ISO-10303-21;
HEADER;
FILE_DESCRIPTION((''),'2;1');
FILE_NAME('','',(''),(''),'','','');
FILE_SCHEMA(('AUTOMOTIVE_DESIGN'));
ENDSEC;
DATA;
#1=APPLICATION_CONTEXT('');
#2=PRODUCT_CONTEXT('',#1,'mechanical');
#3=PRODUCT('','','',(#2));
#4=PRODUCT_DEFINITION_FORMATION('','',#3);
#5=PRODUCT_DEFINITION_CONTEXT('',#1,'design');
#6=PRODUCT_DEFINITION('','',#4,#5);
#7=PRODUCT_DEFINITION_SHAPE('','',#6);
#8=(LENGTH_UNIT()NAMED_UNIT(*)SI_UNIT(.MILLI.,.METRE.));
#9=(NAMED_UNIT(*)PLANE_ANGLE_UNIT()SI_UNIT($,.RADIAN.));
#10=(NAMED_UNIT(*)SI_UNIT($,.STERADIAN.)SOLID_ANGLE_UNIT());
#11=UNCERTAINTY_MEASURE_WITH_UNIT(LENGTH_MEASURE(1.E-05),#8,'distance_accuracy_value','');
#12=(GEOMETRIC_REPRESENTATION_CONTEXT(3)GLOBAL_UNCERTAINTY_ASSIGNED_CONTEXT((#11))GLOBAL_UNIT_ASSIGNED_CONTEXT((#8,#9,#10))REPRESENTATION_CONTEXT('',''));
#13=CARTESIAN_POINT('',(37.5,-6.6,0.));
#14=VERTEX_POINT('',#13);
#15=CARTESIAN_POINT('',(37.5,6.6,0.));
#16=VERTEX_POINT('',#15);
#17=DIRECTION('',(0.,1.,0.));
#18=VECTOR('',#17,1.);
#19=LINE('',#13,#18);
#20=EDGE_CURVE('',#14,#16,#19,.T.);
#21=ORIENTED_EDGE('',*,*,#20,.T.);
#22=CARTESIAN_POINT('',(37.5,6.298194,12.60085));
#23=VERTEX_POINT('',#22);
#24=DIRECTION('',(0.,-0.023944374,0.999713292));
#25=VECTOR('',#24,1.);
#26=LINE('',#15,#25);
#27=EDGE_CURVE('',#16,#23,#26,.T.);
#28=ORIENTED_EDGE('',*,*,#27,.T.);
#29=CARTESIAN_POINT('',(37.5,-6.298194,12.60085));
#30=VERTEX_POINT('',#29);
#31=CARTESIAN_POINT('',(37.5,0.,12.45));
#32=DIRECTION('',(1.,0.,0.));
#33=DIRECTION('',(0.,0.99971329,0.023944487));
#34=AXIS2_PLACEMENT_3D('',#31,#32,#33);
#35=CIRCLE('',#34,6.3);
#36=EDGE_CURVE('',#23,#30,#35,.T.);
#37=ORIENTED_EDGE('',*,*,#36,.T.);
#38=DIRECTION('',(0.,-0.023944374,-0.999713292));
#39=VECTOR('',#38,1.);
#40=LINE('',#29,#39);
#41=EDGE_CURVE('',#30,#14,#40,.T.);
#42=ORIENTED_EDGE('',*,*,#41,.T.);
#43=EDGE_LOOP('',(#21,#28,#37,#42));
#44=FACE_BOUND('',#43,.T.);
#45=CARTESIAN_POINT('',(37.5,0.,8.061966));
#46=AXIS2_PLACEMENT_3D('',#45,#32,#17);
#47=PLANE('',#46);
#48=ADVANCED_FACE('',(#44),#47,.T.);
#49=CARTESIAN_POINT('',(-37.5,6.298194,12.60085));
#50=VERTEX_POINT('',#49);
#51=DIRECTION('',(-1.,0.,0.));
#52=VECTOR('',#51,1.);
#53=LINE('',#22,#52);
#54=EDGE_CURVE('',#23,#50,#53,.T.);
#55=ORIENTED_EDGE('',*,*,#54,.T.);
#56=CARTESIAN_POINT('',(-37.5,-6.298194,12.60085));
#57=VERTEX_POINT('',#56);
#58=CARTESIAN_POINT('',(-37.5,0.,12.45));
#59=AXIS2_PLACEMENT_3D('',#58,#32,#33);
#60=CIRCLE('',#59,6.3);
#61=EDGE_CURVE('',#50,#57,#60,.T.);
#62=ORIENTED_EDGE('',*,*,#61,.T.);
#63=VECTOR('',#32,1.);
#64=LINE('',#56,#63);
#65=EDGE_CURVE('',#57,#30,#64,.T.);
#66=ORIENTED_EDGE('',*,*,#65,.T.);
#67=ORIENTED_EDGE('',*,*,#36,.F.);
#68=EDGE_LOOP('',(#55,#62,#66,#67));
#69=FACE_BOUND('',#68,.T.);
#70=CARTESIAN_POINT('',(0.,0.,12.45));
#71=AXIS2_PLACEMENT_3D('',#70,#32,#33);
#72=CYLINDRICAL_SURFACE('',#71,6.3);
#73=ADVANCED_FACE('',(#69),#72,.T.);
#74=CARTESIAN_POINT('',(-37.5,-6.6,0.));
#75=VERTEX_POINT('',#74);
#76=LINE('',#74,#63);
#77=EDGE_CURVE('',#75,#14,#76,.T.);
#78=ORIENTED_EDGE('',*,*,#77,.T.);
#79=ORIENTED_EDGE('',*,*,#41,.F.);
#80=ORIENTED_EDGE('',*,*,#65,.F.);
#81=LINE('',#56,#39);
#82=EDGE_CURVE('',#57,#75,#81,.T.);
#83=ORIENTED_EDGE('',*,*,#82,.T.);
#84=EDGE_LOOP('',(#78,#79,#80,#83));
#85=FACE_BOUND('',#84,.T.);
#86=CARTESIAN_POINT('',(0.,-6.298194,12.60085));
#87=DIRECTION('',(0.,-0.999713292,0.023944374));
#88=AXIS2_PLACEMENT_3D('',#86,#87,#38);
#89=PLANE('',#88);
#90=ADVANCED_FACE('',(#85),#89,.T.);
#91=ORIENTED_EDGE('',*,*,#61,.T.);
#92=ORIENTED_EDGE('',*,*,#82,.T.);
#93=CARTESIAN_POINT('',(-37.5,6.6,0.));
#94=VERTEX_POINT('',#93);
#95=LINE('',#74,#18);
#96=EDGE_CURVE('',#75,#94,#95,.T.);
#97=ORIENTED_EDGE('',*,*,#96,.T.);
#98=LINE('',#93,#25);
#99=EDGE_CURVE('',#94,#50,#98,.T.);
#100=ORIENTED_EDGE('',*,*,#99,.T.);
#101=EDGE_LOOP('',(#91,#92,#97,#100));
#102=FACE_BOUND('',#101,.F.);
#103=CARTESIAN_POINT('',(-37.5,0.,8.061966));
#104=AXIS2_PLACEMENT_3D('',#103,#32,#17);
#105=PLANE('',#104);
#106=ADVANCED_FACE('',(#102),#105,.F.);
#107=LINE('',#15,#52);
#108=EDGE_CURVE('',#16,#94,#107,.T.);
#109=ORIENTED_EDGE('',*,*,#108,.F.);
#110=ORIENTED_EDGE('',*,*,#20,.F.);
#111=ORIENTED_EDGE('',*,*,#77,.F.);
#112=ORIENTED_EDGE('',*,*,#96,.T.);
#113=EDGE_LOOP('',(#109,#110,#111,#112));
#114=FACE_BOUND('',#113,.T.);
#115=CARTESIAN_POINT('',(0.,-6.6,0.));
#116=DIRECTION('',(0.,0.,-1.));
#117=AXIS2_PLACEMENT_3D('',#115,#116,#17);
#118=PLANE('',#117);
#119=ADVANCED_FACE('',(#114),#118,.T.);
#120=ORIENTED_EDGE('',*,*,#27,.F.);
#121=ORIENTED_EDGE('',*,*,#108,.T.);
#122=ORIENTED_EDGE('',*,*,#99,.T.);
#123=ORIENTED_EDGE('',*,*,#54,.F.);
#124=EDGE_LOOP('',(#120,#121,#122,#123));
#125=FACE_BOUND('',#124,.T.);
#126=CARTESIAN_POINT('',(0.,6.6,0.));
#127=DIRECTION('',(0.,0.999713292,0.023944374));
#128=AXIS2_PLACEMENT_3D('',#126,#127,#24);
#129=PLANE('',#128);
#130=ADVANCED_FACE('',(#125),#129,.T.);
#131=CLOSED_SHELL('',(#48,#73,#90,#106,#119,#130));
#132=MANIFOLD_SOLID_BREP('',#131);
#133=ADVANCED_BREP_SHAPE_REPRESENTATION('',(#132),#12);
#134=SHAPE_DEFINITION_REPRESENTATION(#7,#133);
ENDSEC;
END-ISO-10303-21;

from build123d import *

# Parameters (mm, degrees)
PAD_DEPTH = 37.5


with BuildPart() as part:
    # Sketch002 → Pad (new body, symmetric)
    with BuildSketch(Plane.YZ):
        with BuildLine():
            ThreePointArc((6.298194, 12.60085), (0, 18.75), (-6.298194, 12.60085))
            Line((-6.298194, 12.60085), (-6.6, 0))
            Line((-6.6, 0), (6.6, 0))
            Line((6.6, 0), (6.298194, 12.60085))
        make_face()
    extrude(amount=PAD_DEPTH, both=True)


solid = part.part
